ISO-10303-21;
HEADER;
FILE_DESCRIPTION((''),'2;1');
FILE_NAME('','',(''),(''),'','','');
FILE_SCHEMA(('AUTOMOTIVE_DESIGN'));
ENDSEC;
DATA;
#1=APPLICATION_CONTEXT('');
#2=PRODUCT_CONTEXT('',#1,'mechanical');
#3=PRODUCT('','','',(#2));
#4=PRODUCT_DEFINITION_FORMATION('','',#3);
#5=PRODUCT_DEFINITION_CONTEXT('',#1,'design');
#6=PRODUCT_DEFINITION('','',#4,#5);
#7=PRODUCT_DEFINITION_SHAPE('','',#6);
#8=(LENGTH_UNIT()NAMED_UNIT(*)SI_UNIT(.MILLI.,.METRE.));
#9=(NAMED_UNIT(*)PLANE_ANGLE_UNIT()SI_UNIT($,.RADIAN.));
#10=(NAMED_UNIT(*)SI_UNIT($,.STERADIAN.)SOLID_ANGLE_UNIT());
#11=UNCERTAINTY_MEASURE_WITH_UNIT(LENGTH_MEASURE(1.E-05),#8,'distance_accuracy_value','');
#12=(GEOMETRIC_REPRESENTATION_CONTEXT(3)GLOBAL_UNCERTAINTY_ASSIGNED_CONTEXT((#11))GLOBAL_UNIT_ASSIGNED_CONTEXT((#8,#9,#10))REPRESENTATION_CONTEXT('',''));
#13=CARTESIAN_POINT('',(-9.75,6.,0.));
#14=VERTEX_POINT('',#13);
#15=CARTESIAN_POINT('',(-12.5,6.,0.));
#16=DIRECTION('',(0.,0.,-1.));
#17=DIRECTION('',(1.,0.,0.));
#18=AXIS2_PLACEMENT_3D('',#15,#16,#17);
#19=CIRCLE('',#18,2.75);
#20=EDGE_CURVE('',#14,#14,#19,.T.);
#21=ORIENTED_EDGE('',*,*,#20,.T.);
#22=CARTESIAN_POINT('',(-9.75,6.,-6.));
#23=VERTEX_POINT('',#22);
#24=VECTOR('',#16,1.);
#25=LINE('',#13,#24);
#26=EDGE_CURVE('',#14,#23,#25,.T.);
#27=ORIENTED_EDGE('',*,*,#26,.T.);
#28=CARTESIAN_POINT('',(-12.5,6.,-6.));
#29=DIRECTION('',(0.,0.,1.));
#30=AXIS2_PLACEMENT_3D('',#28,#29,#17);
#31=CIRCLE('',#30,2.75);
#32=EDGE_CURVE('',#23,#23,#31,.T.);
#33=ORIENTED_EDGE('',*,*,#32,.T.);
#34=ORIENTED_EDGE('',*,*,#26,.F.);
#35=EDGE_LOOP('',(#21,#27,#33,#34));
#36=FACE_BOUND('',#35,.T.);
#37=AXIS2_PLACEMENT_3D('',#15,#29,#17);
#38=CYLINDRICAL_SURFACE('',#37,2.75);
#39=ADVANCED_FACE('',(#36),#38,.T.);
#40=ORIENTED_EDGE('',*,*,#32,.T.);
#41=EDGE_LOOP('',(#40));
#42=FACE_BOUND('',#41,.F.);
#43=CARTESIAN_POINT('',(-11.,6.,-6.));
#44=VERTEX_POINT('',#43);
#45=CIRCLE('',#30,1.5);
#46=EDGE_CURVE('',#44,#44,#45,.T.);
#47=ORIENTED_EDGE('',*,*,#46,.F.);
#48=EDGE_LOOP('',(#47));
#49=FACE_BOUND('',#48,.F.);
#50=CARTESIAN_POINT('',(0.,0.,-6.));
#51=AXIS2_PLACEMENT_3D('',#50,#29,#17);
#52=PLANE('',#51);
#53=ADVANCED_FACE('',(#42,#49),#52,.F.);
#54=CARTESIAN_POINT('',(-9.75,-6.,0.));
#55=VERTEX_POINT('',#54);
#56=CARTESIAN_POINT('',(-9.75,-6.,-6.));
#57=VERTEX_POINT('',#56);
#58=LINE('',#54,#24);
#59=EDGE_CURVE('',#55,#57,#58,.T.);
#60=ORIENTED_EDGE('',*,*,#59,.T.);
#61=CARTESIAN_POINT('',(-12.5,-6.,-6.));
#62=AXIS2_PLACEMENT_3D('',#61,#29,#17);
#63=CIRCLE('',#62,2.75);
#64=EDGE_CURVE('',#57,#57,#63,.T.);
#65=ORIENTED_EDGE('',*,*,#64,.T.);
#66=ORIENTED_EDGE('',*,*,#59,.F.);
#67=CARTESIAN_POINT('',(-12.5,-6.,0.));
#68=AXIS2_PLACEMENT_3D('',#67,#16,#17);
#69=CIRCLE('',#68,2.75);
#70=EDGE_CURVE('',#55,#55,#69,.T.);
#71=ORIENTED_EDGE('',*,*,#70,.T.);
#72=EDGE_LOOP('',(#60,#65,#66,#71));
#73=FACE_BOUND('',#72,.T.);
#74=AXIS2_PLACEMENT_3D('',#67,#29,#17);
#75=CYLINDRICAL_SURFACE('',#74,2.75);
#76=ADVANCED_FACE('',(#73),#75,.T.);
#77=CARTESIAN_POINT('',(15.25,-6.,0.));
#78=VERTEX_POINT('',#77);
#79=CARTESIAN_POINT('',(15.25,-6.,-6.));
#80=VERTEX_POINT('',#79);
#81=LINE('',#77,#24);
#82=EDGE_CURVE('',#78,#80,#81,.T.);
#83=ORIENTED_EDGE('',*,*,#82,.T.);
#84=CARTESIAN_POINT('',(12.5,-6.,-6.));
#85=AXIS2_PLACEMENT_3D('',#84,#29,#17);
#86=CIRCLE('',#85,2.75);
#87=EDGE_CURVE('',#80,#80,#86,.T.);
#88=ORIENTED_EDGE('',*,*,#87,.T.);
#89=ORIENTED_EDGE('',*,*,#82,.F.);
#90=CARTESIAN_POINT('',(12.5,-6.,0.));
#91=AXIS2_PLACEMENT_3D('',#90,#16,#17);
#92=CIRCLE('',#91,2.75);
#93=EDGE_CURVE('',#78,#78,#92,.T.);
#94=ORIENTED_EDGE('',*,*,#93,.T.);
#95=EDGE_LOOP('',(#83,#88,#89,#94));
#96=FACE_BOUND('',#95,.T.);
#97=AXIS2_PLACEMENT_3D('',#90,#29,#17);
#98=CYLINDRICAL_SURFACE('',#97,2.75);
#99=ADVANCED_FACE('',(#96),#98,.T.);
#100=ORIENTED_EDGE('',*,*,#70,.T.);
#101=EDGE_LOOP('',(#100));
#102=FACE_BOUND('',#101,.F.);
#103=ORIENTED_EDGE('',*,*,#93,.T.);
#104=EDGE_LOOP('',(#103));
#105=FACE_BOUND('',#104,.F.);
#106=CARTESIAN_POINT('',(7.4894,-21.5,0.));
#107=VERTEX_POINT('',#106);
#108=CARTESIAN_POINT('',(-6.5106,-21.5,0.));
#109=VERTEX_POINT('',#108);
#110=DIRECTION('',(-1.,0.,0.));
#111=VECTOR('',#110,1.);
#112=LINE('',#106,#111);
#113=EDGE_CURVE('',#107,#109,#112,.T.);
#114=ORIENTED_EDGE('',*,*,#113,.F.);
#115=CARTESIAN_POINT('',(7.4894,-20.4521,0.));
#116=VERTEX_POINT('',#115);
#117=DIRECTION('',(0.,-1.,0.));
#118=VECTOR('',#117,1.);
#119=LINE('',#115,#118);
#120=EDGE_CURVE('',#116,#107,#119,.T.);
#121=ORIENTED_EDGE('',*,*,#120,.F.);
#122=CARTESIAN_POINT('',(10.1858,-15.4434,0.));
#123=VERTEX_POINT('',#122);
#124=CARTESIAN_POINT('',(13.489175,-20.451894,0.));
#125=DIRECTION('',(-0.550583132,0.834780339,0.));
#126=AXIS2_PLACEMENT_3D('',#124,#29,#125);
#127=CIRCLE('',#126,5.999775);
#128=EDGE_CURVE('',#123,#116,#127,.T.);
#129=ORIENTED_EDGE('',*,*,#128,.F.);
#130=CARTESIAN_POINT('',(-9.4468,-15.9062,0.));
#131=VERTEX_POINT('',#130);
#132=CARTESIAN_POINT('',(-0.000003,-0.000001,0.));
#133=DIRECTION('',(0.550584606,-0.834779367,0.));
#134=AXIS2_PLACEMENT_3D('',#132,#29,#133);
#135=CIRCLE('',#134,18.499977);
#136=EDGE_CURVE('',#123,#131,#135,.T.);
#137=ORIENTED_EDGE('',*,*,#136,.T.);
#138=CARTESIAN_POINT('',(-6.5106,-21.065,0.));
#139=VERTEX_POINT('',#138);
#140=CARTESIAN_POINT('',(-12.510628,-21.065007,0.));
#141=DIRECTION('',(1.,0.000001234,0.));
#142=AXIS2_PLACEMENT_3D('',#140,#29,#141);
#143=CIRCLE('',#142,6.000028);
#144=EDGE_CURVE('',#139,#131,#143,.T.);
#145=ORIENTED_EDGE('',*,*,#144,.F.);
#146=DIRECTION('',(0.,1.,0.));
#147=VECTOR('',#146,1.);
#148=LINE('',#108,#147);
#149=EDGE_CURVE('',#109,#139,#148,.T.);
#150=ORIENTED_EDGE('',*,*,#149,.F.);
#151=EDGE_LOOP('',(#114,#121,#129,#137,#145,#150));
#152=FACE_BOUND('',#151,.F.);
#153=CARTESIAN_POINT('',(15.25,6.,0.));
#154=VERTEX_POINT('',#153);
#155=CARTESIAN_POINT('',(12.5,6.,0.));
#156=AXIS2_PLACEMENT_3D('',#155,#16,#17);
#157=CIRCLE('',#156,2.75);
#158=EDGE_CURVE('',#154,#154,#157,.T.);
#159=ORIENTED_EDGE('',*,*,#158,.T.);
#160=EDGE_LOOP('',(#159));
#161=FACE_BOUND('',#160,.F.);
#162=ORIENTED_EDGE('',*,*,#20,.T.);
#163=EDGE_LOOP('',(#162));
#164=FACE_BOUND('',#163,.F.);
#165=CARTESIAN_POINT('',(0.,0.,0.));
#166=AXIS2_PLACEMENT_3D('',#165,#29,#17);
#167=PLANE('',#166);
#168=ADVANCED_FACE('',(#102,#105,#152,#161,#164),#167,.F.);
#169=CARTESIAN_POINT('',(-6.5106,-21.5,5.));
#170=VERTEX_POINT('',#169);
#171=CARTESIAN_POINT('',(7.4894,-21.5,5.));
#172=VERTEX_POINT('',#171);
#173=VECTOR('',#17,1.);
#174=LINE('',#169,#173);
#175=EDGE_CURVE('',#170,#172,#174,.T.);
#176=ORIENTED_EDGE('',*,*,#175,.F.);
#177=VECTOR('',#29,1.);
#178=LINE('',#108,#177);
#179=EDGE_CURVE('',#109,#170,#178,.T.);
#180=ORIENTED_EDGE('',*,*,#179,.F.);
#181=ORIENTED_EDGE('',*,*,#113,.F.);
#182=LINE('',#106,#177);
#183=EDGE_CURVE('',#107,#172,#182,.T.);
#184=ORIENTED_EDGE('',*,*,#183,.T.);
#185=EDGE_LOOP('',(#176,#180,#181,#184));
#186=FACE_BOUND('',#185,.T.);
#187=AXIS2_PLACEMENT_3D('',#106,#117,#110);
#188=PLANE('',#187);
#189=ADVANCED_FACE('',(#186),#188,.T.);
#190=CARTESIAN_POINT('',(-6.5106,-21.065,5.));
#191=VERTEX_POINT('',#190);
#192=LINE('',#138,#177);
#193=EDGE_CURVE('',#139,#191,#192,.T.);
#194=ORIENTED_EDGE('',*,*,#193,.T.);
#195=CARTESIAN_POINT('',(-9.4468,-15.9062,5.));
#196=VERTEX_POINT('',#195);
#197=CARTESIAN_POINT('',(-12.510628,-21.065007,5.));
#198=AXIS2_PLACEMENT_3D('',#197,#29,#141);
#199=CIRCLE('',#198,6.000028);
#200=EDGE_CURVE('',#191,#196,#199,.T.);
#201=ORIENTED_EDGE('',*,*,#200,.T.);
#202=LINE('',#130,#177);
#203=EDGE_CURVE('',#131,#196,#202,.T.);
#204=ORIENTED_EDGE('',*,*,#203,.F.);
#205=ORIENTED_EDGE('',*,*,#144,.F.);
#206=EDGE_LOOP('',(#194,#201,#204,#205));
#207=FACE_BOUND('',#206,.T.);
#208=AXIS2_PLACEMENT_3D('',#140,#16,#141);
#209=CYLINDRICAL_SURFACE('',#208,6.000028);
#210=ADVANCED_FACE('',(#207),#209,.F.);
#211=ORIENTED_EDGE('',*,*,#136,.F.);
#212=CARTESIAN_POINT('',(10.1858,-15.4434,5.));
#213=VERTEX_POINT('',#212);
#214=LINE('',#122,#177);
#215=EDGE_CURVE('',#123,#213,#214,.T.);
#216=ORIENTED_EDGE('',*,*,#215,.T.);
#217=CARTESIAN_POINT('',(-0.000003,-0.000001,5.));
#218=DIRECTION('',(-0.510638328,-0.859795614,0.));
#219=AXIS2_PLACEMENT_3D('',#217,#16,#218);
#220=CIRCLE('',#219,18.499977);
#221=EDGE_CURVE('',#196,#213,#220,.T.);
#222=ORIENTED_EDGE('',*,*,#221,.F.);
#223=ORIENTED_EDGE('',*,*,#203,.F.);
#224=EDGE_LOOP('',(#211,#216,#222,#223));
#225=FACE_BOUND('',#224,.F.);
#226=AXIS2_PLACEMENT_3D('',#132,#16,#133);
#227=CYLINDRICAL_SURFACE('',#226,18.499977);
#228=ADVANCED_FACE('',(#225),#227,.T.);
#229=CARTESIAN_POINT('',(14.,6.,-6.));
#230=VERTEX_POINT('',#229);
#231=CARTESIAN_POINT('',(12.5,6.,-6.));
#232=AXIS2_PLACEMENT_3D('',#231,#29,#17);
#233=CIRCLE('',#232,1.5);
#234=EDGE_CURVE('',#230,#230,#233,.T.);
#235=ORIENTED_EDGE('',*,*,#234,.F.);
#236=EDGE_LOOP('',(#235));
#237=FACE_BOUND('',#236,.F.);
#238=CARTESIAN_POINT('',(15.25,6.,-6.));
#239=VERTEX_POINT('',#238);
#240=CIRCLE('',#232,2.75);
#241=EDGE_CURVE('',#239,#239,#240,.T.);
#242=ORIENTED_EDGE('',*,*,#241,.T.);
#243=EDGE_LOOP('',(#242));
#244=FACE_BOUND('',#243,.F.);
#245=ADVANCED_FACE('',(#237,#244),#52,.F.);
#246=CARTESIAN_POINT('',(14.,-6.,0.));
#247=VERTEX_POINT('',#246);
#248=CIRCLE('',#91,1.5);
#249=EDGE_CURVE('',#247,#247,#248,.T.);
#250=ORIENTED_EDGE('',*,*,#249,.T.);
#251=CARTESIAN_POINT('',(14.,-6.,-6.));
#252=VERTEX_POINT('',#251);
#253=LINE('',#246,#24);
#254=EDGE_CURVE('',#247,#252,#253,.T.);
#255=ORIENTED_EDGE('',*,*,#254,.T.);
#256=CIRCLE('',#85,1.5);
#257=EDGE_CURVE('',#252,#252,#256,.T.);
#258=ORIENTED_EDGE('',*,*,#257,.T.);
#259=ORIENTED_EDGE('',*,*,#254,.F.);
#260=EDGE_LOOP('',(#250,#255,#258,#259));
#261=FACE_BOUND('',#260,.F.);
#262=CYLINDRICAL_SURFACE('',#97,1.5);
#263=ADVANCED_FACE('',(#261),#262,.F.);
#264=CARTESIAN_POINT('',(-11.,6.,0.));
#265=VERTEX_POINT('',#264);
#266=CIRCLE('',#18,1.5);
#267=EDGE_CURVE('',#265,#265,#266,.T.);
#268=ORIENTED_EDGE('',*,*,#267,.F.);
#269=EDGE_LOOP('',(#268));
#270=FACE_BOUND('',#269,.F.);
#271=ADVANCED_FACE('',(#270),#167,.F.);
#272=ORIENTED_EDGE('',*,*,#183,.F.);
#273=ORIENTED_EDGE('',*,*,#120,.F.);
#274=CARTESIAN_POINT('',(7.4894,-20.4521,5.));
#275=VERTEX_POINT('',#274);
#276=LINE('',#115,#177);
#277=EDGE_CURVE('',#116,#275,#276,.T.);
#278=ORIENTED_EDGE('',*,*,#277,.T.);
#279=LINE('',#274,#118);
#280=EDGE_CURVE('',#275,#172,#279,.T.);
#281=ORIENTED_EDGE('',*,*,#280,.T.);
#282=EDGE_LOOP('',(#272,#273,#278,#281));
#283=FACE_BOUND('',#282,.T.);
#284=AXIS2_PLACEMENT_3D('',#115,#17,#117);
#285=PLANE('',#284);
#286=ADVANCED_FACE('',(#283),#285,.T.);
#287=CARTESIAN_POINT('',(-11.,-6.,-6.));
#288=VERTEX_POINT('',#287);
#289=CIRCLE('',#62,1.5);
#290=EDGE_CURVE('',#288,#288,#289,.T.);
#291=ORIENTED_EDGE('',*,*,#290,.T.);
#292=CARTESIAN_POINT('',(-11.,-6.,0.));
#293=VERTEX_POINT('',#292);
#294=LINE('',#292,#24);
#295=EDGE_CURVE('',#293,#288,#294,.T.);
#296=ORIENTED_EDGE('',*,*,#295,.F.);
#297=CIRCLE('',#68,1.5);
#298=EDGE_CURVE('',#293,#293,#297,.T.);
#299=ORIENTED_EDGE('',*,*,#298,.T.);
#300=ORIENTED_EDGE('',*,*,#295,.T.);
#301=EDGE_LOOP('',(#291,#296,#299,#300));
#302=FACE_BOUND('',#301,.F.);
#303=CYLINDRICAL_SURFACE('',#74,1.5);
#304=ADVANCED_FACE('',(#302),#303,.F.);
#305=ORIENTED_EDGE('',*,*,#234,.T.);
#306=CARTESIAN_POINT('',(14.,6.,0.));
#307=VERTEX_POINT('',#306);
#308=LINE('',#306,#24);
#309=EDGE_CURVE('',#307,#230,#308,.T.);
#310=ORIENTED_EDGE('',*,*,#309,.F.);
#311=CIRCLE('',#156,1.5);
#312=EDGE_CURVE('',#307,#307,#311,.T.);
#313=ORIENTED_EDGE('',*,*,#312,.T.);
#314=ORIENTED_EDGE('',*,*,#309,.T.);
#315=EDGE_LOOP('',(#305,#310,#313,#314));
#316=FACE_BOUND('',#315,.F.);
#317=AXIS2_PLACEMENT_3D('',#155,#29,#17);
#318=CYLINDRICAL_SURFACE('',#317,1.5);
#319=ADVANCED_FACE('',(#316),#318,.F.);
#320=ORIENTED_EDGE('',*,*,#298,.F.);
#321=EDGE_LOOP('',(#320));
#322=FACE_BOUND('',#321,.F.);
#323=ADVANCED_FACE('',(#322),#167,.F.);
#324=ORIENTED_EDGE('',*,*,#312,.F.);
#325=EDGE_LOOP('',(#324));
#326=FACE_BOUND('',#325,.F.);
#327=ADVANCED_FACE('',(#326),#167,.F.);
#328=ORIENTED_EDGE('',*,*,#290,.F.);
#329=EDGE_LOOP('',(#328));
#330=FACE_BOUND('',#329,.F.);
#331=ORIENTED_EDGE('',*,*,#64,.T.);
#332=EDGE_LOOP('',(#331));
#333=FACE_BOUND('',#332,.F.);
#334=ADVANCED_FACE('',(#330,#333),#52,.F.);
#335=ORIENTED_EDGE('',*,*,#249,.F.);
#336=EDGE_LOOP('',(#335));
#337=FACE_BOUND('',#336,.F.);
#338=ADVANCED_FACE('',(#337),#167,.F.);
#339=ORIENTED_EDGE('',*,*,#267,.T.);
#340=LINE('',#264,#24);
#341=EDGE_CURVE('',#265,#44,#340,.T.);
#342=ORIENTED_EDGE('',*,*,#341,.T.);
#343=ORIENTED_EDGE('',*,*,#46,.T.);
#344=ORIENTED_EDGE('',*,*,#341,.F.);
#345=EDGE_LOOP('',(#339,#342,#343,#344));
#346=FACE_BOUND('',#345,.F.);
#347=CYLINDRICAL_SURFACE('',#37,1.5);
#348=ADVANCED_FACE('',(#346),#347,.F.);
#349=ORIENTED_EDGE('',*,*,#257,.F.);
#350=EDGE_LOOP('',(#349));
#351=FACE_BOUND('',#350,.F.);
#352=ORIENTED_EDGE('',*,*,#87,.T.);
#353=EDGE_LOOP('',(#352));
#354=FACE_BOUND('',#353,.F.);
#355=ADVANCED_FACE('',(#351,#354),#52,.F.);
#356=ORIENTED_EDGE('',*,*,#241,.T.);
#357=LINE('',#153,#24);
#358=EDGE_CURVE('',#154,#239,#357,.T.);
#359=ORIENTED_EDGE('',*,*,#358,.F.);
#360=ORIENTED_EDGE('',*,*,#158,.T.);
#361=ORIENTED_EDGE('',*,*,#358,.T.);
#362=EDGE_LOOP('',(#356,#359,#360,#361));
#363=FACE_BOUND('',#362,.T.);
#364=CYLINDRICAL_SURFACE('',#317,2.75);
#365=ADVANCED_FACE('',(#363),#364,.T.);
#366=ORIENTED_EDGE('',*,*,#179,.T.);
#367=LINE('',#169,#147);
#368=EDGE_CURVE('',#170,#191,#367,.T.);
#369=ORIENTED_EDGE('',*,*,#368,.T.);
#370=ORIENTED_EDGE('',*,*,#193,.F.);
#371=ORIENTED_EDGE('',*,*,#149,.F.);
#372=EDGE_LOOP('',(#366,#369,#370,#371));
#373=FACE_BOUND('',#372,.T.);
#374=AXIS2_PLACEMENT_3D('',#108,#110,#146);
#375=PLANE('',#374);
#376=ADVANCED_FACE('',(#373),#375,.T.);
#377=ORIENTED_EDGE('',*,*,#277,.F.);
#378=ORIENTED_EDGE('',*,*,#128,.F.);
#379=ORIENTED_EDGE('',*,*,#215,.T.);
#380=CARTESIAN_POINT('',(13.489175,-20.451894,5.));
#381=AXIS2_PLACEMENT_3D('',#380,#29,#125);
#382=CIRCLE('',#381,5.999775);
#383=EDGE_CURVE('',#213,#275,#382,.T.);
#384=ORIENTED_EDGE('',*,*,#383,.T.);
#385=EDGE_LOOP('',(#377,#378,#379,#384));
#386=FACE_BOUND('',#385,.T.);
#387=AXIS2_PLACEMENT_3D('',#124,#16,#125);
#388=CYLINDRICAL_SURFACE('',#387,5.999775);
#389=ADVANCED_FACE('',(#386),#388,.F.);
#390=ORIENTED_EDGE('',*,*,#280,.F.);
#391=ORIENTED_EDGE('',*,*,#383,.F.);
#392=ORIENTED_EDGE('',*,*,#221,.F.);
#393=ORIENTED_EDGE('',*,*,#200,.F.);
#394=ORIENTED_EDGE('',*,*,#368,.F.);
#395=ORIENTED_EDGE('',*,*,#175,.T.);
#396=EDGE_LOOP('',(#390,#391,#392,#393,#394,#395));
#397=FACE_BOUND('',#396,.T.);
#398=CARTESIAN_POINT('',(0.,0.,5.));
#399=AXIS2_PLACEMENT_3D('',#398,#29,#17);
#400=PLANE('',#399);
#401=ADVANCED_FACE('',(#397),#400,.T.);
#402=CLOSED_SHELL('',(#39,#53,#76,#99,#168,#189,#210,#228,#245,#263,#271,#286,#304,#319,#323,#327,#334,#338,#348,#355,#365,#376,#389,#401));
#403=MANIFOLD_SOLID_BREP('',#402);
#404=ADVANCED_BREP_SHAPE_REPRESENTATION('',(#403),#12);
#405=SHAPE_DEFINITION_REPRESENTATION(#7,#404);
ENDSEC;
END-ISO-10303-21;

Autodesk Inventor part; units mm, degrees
ref_plane "YZ Plane" through (0, 0, 0) normal (1, 0, 0) x (0, 1, 0)
ref_plane "XZ Plane" through (0, 0, 0) normal (0, 1, 0) x (-1, 0, 0)
ref_plane "XY Plane" through (0, 0, 0) normal (0, 0, 1) x (1, 0, 0)
sketch "Náčrt1" plane through (0, 0, 0) normal (0, 0, 1) x (1, 0, 0)
  arc A0 (10.1858, -15.4434) -> (-9.4468, -15.9062) centre (0, 0) ccw
  line L0 (7.4894, -20.4521) -> (7.4894, -21.5)
  line L1 (7.4894, -21.5) -> (-6.5106, -21.5)
  line L2 (-6.5106, -21.5) -> (-6.5106, -21.065)
  line L3 (0, -18.5) -> (7.4894, -21.5) construction
  line L4 (0, -18.5) -> (-6.5106, -21.5) construction
  line L5 (0, 18.5) -> (0, -37.4433)
  arc A1 (-6.5106, -21.065) -> (-9.4468, -15.9062) centre (-12.5106, -21.065) ccw
  arc A2 (10.1858, -15.4434) -> (7.4894, -20.4521) centre (13.4894, -20.4521) ccw
  line L6 (-12.5, 6) -> (12.5, 6)
  line L7 (12.5, 6) -> (12.5, -6)
  line L8 (12.5, -6) -> (-12.5, -6)
  line L9 (-12.5, -6) -> (-12.5, 6)
  line L10 (-12.5, 6) -> (12.5, -6) construction
  line L11 (12.5, 6) -> (-12.5, -6) construction
  circle A3 centre (-12.5, 6) radius 1.5
  circle A4 centre (12.5, 6) radius 1.5
  circle A5 centre (12.5, -6) radius 1.5
  circle A6 centre (-12.5, -6) radius 1.5
  circle A7 centre (-12.5, 6) radius 2.75
  circle A8 centre (12.5, 6) radius 2.75
  circle A9 centre (12.5, -6) radius 2.75
  circle A10 centre (-12.5, -6) radius 2.75
  point P0 (7.4894, -16.9162)
  point P1 (-6.5106, -17.3165)
  dimension "d0" = 37
  dimension "d1" = 14
  dimension "d2" = 21.5
  dimension "d3" = 6
  dimension "d4" = 25
  dimension "d5" = 12
  dimension "d6" = 3
  dimension "d7" = 3
  dimension "d8" = 3
  dimension "d9" = 3
  dimension "d10" = 5.5
  dimension "d11" = 5.5
  dimension "d12" = 5.5
  dimension "d13" = 5.5
extrude "Vysunutí1" add sketch "Náčrt1" along normal blind 5
extrude "Vysunutí2" add sketch "Náčrt1" against normal blind 6 contours A7 L9 A3 L6 | L6 A3 L9 A7 | A8 L7 A4 L6 | L6 A4 L7 A8 | A9 L7 A5 L8 | L8 A5 L7 A9 | A10 L9 A6 L8 | L8 A6 L9 A10
thread "Závit1" size "M3x0.5" class "6H" standard "ISO Metric profile" full length
thread "Závit2" size "M3x0.5" class "6H" standard "ISO Metric profile" full length
thread "Závit3" size "M3x0.5" class "6H" standard "ISO Metric profile" full length
thread "Závit4" size "M3x0.5" class "6H" standard "ISO Metric profile" full length
properties part number "Disp"
